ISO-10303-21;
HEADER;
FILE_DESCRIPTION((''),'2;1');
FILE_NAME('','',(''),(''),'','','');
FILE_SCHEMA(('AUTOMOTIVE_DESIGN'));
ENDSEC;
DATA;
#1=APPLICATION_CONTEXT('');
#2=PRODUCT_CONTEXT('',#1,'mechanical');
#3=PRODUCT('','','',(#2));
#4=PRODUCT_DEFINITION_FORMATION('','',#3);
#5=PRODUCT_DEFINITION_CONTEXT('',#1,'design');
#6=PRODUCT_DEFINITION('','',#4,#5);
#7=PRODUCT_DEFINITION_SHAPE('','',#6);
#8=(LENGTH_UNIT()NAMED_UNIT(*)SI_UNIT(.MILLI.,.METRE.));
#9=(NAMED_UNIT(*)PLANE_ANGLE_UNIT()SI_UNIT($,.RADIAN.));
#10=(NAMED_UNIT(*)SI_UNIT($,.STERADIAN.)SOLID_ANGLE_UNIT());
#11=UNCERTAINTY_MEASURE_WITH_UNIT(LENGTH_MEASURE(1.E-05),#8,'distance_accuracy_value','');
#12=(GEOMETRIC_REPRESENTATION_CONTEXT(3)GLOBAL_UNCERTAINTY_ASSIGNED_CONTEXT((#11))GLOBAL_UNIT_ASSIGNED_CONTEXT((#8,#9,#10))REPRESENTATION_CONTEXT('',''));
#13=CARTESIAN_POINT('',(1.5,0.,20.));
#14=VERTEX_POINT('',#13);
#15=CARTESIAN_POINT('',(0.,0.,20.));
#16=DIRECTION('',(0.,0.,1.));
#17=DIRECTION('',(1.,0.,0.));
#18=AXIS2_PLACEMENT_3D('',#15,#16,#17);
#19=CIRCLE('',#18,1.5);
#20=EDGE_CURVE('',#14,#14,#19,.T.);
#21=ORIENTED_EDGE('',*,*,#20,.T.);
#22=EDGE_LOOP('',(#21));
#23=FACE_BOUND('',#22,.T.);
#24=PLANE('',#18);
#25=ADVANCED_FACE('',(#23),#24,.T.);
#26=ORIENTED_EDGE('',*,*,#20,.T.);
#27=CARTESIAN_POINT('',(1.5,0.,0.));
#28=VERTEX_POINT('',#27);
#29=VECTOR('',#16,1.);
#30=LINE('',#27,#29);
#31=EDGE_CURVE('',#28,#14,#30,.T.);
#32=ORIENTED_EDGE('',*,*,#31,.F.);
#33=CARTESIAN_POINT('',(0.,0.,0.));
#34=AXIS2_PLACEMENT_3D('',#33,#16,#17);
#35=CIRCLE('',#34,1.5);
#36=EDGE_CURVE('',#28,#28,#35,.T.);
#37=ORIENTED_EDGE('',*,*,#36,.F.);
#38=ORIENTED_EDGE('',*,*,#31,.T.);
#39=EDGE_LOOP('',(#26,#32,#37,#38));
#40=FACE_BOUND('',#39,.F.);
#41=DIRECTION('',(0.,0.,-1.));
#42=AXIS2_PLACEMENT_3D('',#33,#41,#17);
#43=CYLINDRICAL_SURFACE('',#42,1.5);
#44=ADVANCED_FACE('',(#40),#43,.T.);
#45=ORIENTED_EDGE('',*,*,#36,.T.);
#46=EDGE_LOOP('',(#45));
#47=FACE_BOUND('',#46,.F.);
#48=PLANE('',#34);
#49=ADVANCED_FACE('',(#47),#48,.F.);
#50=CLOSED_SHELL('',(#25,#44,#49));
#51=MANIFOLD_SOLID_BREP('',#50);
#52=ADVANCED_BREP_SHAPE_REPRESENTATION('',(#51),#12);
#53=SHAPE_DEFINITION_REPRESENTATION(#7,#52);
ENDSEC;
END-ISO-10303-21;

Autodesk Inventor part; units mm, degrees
ref_plane "YZ Plane" through (0, 0, 0) normal (1, 0, 0) x (0, 1, 0)
ref_plane "XZ Plane" through (0, 0, 0) normal (0, 1, 0) x (-1, 0, 0)
ref_plane "XY Plane" through (0, 0, 0) normal (0, 0, 1) x (1, 0, 0)
sketch "スケッチ1" plane through (0, 0, 0) normal (0, 0, 1) x (1, 0, 0)
  circle A0 centre (0, 0) radius 1.5
  dimension "d0" = 3
extrude "押し出し1" add sketch "スケッチ1" along normal blind 20
properties part number "シャフト" material "アルミニウム"
